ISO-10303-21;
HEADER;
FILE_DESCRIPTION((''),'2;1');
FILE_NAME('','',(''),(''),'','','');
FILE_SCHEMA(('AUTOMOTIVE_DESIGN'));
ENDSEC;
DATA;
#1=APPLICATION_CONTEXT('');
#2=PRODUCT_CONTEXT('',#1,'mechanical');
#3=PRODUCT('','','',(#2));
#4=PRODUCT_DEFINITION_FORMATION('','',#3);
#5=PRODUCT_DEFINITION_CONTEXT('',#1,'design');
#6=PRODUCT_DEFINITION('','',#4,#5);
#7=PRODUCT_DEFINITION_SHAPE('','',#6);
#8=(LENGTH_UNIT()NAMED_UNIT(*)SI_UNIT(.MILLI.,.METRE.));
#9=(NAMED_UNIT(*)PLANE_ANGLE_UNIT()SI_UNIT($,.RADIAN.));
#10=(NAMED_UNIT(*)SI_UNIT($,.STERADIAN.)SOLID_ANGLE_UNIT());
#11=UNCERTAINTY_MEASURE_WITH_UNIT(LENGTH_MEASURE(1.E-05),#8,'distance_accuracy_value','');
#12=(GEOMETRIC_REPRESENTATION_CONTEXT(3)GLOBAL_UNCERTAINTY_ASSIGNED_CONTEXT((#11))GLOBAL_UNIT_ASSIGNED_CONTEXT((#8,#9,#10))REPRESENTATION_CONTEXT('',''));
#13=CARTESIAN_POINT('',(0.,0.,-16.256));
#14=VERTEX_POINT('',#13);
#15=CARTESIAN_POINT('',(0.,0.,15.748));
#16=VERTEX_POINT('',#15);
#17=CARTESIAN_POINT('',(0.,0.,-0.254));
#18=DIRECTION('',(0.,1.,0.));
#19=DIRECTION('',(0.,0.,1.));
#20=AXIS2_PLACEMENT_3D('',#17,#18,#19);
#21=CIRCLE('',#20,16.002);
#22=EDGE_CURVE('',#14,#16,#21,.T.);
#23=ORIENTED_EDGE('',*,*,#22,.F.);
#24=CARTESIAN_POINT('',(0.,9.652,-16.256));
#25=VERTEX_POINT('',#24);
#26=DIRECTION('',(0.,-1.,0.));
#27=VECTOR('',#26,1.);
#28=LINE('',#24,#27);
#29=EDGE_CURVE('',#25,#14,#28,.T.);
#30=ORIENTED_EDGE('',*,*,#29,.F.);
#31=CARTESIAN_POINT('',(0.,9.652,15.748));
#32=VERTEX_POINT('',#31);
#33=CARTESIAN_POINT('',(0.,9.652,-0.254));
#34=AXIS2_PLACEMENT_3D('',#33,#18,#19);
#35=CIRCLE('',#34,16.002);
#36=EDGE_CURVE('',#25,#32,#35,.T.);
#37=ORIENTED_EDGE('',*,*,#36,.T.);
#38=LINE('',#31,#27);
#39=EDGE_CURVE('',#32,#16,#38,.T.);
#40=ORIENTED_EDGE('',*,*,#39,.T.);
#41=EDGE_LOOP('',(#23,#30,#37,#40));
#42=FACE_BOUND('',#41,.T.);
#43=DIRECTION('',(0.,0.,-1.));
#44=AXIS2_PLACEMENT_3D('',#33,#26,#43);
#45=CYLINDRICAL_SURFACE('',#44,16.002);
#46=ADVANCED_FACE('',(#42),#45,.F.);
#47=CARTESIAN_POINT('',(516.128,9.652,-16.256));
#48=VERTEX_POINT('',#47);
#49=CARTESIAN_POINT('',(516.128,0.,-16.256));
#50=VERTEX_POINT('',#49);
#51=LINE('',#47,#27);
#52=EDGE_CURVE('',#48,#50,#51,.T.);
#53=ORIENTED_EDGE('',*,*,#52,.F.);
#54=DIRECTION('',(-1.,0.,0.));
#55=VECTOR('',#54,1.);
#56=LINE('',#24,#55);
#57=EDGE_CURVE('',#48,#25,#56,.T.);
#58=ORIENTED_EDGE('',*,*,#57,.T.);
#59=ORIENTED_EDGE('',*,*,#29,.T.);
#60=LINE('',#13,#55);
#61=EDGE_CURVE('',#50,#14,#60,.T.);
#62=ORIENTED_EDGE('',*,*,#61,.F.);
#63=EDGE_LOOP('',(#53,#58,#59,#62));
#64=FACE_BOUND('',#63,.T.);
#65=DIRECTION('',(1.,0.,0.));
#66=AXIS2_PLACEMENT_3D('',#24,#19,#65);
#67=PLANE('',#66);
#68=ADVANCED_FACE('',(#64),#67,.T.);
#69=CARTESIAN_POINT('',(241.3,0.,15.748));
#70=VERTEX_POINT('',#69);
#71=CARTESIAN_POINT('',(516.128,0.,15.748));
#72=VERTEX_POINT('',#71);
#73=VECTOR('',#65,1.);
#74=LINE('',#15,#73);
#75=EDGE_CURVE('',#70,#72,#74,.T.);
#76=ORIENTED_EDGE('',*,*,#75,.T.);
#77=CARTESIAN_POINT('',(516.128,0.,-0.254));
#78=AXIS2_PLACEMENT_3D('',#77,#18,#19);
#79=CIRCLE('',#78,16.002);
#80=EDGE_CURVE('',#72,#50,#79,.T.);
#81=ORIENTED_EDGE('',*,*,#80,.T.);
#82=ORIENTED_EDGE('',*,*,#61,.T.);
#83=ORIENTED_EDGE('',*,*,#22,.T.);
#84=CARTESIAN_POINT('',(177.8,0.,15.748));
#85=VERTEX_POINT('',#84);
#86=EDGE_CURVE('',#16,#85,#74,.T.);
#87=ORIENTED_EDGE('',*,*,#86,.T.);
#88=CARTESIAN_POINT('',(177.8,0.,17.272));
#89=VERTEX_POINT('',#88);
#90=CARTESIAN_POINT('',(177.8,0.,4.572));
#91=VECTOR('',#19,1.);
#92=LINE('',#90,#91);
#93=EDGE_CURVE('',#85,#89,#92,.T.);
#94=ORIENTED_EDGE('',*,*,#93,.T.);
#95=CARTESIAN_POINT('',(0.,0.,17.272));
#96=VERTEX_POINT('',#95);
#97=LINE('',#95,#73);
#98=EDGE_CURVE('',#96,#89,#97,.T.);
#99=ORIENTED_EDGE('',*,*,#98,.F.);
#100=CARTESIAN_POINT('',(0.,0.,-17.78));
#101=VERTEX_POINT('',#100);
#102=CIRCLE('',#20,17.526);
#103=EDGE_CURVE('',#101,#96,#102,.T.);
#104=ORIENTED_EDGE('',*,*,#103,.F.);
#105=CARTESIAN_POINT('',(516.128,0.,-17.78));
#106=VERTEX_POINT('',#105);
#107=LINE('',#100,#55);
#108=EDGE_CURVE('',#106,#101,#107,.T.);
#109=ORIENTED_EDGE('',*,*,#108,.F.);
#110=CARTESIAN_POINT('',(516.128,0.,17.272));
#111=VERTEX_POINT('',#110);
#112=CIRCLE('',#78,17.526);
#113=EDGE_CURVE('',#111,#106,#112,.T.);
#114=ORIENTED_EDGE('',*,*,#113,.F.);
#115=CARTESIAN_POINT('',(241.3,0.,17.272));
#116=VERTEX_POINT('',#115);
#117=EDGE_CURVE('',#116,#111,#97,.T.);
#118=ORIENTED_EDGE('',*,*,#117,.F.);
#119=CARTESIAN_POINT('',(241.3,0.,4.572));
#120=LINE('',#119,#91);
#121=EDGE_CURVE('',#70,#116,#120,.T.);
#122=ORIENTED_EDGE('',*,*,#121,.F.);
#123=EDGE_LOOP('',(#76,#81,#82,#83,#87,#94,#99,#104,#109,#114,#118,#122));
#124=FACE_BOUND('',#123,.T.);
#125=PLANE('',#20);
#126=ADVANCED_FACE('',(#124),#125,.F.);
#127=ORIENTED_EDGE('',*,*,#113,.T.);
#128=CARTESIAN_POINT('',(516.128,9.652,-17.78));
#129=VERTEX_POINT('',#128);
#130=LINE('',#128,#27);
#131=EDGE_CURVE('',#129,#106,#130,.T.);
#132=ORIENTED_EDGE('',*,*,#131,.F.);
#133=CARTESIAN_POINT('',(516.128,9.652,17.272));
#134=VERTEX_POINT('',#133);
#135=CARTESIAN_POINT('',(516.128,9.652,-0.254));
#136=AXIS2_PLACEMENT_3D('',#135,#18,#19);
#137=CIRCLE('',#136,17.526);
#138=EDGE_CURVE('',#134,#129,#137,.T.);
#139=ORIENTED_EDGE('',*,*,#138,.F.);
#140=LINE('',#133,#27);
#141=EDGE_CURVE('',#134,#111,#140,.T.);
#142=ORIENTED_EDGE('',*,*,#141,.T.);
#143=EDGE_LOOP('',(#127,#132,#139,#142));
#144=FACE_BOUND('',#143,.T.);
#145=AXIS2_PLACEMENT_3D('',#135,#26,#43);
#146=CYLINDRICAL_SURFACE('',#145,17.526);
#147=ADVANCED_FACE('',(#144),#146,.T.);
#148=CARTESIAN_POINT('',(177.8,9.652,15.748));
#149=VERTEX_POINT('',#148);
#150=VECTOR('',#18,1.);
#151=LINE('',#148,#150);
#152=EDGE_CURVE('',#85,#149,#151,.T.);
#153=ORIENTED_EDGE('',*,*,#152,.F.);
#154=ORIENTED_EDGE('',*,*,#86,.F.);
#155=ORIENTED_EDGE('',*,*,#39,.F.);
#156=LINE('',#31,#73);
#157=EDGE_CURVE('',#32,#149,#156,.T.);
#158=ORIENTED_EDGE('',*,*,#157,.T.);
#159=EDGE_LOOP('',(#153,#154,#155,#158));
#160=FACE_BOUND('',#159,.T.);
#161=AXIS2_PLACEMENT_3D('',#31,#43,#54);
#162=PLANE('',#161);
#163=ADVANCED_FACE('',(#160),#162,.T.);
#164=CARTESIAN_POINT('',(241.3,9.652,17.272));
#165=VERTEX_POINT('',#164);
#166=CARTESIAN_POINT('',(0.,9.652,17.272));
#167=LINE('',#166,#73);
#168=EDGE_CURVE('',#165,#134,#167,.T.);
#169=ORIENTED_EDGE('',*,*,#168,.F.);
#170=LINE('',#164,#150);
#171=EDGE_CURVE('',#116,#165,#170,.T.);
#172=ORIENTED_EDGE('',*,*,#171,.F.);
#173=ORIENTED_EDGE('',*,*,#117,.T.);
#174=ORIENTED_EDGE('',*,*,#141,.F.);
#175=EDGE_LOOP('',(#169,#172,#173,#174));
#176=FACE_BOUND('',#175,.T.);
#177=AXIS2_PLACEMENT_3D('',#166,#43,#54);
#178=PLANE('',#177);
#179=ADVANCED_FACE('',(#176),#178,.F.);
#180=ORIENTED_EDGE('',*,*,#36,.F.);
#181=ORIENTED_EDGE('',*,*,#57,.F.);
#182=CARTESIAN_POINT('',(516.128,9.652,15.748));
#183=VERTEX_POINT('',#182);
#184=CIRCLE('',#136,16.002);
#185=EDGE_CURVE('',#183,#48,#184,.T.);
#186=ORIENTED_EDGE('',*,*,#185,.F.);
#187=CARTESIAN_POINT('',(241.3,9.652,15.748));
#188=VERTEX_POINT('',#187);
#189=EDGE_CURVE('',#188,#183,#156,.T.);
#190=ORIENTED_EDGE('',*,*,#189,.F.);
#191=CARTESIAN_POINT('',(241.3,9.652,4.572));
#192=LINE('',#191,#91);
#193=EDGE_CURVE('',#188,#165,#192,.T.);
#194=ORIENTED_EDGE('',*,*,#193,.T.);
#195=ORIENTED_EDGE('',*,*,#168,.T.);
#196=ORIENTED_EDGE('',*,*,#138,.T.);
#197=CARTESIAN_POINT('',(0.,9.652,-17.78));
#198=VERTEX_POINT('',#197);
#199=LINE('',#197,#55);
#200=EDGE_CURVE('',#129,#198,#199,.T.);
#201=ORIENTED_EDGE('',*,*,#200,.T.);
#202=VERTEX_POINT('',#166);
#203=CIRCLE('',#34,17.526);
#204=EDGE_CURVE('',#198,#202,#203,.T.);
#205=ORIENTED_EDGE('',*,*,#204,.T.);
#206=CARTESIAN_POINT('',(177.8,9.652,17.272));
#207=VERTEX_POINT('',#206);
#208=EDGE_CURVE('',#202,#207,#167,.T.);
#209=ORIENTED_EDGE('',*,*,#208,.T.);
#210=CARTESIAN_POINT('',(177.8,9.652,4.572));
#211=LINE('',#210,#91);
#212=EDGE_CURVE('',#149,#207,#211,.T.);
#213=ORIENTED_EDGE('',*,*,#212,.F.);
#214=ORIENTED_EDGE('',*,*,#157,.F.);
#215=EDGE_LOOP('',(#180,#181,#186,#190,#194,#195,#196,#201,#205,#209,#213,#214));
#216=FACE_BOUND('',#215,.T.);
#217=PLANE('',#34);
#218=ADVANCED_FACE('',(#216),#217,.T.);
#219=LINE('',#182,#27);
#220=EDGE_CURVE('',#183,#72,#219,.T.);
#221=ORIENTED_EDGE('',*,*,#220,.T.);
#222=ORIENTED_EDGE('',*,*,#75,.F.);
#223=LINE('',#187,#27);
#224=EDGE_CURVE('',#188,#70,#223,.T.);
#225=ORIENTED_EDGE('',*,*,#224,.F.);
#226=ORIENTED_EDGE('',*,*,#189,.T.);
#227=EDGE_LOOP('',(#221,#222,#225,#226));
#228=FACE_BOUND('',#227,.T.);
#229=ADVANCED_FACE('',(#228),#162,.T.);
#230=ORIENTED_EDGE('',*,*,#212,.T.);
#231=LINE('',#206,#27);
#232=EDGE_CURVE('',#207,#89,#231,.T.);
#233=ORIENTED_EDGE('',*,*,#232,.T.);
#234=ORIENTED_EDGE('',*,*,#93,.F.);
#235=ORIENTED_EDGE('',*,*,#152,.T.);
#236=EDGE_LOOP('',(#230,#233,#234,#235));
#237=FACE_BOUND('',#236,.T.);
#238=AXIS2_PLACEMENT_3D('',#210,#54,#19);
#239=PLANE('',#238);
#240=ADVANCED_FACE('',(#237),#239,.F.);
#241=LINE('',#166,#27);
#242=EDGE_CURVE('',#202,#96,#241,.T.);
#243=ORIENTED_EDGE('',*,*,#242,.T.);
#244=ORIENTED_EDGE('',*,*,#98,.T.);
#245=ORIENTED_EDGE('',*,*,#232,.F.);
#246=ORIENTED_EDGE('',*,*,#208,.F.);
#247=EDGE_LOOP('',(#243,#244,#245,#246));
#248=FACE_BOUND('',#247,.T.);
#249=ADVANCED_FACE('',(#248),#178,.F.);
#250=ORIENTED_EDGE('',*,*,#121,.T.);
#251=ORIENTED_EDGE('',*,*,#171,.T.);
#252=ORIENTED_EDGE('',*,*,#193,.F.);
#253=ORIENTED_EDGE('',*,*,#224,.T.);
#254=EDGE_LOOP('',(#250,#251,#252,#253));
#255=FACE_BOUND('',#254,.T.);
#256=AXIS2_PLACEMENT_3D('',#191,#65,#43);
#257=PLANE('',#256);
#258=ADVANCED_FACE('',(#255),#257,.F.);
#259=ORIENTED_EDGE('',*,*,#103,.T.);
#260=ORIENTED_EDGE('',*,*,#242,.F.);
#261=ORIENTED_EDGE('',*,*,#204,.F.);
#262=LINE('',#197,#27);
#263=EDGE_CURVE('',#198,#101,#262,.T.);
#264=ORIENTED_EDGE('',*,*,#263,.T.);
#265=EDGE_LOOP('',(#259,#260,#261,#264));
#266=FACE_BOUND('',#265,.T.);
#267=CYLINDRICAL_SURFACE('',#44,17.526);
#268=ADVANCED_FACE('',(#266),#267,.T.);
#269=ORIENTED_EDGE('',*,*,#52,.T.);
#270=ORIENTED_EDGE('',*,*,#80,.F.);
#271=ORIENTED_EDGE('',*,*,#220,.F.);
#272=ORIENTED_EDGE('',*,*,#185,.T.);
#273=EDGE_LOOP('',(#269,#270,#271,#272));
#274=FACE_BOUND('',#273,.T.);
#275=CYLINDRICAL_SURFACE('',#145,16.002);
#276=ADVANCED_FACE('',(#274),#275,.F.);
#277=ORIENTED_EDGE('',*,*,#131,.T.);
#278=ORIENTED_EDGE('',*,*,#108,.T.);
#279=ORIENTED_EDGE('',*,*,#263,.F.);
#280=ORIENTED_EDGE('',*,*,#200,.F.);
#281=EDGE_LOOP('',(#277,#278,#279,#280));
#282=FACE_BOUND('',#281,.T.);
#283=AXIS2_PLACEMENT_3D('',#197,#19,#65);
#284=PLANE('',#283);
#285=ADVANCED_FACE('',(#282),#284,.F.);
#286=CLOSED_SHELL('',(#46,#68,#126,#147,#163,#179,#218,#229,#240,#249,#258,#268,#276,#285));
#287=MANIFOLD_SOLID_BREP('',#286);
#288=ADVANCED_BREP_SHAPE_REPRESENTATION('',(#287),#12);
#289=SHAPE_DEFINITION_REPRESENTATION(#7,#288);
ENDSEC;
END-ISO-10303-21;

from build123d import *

# Parameters (mm, degrees)
BOSS_EXTRUDE1_DEPTH = 9.652
SKETCH2_W           = 63.5
SKETCH2_H           = 9.652
CUT_EXTRUDE1_DEPTH  = 12.7


with BuildPart() as part:
    # Sketch1 → Boss-Extrude1 (new body)
    with BuildSketch(Plane(origin=(0, 0, 0), x_dir=(1, 0, 0), z_dir=(0, 1, 0))):
        with BuildLine():
            Line((0, 17.78), (516.128, 17.78))
            ThreePointArc((516.128, 17.78), (533.654, 0.254), (516.128, -17.272))
            Line((516.128, -17.272), (0, -17.272))
            ThreePointArc((0, -17.272), (-17.526, 0.254), (0, 17.78))
        make_face()
        with BuildLine():
            Line((0, 16.256), (516.128, 16.256))
            ThreePointArc((516.128, 16.256), (532.13, 0.254), (516.128, -15.748))
            Line((516.128, -15.748), (0, -15.748))
            ThreePointArc((0, -15.748), (-16.002, 0.254), (0, 16.256))
        make_face(mode=Mode.SUBTRACT)
    extrude(amount=BOSS_EXTRUDE1_DEPTH)

    # Sketch2 → Cut-Extrude1 (cut)
    with BuildSketch(Plane.XY.offset(17.272)):
        with Locations((209.55, 4.826)):
            Rectangle(SKETCH2_W, SKETCH2_H)
    extrude(amount=-CUT_EXTRUDE1_DEPTH, mode=Mode.SUBTRACT)


solid = part.part
